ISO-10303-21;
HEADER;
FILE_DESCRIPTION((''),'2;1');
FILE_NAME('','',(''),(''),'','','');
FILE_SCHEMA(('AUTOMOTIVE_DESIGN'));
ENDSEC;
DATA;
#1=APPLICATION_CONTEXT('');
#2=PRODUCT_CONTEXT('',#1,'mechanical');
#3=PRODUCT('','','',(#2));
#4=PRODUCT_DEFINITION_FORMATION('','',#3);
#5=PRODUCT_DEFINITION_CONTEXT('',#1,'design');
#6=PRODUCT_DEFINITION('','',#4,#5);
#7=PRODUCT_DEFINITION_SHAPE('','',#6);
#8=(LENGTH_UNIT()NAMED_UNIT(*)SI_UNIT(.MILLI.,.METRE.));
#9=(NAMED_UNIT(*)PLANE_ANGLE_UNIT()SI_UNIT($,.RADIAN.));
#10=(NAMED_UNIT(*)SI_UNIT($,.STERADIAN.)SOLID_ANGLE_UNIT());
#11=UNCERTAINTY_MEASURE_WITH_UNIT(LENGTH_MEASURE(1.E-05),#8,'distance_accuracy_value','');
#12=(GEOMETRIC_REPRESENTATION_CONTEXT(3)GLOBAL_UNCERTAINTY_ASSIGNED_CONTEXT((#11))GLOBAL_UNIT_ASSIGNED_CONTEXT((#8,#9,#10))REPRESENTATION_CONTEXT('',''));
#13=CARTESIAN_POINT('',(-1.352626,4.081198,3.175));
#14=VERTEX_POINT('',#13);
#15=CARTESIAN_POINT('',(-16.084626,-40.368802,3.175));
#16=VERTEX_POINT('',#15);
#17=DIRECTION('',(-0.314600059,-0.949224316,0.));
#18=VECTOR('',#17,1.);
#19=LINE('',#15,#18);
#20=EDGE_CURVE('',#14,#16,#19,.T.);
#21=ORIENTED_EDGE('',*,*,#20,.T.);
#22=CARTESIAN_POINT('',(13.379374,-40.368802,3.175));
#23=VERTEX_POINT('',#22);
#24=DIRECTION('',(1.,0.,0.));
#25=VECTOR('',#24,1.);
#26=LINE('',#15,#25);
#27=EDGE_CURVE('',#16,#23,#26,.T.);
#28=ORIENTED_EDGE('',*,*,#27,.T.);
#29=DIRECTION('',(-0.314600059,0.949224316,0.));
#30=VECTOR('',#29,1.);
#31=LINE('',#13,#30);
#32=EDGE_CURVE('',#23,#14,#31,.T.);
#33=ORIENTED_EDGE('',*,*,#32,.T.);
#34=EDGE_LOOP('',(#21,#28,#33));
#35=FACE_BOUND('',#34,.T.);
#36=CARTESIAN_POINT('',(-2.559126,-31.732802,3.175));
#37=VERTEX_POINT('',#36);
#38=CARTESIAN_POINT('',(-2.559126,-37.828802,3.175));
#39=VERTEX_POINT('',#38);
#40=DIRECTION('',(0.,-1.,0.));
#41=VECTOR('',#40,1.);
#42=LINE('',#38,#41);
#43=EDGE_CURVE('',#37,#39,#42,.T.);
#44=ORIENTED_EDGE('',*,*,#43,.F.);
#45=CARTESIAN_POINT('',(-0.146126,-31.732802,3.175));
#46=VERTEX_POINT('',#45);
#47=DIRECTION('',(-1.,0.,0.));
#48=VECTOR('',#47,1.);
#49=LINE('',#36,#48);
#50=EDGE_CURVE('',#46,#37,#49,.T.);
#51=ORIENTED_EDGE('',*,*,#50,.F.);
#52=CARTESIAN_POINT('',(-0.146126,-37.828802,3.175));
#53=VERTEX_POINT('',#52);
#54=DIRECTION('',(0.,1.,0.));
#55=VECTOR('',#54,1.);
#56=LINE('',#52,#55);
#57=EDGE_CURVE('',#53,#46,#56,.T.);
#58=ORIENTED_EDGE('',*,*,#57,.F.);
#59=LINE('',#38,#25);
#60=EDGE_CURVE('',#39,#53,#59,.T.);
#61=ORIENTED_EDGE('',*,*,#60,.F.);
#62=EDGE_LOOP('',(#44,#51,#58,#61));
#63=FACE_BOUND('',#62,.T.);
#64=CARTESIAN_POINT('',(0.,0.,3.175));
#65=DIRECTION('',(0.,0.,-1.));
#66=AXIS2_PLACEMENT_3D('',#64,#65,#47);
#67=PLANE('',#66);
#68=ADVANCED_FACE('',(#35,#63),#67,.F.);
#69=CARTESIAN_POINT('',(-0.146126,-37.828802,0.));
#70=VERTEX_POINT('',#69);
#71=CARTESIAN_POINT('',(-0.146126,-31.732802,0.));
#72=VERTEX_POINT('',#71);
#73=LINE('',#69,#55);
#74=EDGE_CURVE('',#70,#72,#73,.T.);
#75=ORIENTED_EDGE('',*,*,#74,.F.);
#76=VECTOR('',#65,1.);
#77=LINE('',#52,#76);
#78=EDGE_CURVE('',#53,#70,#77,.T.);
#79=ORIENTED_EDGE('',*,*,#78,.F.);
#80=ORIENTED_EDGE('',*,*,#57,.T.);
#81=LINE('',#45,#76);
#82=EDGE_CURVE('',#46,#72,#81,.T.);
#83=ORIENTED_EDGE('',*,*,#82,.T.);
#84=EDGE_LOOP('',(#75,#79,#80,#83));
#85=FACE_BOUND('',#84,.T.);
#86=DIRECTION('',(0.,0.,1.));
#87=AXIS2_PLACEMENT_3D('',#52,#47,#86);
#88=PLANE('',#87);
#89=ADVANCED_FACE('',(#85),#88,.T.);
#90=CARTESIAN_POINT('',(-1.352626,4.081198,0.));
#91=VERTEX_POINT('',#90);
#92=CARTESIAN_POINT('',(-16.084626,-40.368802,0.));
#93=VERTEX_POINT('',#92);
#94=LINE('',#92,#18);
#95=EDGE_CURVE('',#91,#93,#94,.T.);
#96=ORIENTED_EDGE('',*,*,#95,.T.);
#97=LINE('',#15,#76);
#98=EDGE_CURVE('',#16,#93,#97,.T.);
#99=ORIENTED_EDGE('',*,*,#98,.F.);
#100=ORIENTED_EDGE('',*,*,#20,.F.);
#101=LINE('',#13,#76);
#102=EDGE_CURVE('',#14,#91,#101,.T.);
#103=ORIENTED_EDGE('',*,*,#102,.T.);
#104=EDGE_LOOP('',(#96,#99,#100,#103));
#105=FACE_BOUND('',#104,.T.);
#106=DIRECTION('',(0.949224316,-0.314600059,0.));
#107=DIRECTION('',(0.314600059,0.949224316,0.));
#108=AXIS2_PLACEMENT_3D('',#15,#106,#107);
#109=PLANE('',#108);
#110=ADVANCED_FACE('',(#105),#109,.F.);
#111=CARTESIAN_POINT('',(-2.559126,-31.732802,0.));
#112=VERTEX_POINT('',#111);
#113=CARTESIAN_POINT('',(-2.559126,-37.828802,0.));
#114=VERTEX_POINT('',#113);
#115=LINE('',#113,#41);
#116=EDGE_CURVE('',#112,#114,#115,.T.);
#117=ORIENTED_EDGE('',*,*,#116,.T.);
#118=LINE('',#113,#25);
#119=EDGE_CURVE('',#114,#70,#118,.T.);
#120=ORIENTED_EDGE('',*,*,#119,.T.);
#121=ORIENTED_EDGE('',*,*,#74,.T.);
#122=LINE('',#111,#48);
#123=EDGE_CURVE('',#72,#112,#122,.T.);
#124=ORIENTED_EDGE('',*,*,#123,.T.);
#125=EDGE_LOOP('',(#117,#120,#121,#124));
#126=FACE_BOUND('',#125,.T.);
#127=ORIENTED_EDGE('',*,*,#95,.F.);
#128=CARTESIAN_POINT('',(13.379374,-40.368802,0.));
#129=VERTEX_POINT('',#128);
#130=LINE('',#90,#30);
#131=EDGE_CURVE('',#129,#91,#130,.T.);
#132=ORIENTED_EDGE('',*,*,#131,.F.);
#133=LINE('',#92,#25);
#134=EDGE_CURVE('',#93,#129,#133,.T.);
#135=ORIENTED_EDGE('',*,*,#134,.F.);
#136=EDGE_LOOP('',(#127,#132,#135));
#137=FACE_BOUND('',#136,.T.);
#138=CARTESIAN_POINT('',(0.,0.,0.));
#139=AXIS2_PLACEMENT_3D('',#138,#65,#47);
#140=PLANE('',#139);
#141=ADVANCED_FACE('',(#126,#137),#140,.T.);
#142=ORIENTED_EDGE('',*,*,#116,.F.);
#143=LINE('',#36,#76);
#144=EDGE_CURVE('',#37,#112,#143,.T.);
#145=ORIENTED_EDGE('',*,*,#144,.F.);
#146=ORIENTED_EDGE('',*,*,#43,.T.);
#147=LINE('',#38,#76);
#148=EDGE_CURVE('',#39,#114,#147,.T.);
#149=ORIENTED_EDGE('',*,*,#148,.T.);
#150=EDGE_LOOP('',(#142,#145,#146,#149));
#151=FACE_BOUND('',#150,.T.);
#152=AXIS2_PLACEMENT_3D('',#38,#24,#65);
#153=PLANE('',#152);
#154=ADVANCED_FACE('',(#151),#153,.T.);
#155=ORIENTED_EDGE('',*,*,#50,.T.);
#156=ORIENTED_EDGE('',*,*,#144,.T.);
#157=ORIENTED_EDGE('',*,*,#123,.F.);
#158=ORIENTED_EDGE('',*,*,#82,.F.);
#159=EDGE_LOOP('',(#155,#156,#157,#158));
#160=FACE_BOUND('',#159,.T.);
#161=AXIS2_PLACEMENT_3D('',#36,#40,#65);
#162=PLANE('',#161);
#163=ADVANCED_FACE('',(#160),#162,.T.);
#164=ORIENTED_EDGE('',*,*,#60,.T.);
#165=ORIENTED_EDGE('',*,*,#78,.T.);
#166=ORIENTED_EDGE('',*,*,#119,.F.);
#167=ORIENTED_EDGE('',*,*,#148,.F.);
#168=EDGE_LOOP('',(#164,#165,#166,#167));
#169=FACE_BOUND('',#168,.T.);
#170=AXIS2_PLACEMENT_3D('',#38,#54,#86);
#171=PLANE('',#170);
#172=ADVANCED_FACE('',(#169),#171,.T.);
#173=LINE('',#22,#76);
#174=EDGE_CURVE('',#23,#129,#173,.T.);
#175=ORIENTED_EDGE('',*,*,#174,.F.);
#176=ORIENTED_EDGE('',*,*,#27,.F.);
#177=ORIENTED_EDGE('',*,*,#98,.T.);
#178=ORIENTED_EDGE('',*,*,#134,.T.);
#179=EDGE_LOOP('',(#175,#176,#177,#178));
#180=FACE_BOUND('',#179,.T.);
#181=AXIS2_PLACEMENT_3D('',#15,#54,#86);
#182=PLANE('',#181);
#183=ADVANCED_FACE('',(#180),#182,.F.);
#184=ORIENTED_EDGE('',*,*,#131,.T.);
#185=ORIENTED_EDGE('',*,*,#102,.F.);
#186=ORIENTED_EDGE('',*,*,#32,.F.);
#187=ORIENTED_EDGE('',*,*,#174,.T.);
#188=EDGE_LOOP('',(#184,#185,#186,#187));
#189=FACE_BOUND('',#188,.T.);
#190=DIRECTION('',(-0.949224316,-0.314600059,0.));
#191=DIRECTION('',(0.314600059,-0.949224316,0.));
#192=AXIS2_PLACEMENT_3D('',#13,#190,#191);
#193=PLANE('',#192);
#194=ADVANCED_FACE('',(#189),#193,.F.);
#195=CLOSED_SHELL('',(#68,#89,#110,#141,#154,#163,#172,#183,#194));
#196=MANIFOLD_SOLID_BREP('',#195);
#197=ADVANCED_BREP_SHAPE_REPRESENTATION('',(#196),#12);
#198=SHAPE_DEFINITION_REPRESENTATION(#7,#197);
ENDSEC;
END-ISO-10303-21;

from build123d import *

# Parameters (mm, degrees)
SKETCH2_W           = 2.413
SKETCH2_H           = 6.096
BOSS_EXTRUDE1_DEPTH = 3.175


with BuildPart() as part:
    # Sketch2 → Boss-Extrude1 (new body)
    with BuildSketch(Plane.XY):
        Polygon((-16.084625597, -40.368802078), (-1.352625597, 4.081197922), (13.379374403, -40.368802078), align=None)
        with Locations((-1.352625597, -34.780802078)):
            Rectangle(SKETCH2_W, SKETCH2_H, mode=Mode.SUBTRACT)
    extrude(amount=BOSS_EXTRUDE1_DEPTH)


solid = part.part
